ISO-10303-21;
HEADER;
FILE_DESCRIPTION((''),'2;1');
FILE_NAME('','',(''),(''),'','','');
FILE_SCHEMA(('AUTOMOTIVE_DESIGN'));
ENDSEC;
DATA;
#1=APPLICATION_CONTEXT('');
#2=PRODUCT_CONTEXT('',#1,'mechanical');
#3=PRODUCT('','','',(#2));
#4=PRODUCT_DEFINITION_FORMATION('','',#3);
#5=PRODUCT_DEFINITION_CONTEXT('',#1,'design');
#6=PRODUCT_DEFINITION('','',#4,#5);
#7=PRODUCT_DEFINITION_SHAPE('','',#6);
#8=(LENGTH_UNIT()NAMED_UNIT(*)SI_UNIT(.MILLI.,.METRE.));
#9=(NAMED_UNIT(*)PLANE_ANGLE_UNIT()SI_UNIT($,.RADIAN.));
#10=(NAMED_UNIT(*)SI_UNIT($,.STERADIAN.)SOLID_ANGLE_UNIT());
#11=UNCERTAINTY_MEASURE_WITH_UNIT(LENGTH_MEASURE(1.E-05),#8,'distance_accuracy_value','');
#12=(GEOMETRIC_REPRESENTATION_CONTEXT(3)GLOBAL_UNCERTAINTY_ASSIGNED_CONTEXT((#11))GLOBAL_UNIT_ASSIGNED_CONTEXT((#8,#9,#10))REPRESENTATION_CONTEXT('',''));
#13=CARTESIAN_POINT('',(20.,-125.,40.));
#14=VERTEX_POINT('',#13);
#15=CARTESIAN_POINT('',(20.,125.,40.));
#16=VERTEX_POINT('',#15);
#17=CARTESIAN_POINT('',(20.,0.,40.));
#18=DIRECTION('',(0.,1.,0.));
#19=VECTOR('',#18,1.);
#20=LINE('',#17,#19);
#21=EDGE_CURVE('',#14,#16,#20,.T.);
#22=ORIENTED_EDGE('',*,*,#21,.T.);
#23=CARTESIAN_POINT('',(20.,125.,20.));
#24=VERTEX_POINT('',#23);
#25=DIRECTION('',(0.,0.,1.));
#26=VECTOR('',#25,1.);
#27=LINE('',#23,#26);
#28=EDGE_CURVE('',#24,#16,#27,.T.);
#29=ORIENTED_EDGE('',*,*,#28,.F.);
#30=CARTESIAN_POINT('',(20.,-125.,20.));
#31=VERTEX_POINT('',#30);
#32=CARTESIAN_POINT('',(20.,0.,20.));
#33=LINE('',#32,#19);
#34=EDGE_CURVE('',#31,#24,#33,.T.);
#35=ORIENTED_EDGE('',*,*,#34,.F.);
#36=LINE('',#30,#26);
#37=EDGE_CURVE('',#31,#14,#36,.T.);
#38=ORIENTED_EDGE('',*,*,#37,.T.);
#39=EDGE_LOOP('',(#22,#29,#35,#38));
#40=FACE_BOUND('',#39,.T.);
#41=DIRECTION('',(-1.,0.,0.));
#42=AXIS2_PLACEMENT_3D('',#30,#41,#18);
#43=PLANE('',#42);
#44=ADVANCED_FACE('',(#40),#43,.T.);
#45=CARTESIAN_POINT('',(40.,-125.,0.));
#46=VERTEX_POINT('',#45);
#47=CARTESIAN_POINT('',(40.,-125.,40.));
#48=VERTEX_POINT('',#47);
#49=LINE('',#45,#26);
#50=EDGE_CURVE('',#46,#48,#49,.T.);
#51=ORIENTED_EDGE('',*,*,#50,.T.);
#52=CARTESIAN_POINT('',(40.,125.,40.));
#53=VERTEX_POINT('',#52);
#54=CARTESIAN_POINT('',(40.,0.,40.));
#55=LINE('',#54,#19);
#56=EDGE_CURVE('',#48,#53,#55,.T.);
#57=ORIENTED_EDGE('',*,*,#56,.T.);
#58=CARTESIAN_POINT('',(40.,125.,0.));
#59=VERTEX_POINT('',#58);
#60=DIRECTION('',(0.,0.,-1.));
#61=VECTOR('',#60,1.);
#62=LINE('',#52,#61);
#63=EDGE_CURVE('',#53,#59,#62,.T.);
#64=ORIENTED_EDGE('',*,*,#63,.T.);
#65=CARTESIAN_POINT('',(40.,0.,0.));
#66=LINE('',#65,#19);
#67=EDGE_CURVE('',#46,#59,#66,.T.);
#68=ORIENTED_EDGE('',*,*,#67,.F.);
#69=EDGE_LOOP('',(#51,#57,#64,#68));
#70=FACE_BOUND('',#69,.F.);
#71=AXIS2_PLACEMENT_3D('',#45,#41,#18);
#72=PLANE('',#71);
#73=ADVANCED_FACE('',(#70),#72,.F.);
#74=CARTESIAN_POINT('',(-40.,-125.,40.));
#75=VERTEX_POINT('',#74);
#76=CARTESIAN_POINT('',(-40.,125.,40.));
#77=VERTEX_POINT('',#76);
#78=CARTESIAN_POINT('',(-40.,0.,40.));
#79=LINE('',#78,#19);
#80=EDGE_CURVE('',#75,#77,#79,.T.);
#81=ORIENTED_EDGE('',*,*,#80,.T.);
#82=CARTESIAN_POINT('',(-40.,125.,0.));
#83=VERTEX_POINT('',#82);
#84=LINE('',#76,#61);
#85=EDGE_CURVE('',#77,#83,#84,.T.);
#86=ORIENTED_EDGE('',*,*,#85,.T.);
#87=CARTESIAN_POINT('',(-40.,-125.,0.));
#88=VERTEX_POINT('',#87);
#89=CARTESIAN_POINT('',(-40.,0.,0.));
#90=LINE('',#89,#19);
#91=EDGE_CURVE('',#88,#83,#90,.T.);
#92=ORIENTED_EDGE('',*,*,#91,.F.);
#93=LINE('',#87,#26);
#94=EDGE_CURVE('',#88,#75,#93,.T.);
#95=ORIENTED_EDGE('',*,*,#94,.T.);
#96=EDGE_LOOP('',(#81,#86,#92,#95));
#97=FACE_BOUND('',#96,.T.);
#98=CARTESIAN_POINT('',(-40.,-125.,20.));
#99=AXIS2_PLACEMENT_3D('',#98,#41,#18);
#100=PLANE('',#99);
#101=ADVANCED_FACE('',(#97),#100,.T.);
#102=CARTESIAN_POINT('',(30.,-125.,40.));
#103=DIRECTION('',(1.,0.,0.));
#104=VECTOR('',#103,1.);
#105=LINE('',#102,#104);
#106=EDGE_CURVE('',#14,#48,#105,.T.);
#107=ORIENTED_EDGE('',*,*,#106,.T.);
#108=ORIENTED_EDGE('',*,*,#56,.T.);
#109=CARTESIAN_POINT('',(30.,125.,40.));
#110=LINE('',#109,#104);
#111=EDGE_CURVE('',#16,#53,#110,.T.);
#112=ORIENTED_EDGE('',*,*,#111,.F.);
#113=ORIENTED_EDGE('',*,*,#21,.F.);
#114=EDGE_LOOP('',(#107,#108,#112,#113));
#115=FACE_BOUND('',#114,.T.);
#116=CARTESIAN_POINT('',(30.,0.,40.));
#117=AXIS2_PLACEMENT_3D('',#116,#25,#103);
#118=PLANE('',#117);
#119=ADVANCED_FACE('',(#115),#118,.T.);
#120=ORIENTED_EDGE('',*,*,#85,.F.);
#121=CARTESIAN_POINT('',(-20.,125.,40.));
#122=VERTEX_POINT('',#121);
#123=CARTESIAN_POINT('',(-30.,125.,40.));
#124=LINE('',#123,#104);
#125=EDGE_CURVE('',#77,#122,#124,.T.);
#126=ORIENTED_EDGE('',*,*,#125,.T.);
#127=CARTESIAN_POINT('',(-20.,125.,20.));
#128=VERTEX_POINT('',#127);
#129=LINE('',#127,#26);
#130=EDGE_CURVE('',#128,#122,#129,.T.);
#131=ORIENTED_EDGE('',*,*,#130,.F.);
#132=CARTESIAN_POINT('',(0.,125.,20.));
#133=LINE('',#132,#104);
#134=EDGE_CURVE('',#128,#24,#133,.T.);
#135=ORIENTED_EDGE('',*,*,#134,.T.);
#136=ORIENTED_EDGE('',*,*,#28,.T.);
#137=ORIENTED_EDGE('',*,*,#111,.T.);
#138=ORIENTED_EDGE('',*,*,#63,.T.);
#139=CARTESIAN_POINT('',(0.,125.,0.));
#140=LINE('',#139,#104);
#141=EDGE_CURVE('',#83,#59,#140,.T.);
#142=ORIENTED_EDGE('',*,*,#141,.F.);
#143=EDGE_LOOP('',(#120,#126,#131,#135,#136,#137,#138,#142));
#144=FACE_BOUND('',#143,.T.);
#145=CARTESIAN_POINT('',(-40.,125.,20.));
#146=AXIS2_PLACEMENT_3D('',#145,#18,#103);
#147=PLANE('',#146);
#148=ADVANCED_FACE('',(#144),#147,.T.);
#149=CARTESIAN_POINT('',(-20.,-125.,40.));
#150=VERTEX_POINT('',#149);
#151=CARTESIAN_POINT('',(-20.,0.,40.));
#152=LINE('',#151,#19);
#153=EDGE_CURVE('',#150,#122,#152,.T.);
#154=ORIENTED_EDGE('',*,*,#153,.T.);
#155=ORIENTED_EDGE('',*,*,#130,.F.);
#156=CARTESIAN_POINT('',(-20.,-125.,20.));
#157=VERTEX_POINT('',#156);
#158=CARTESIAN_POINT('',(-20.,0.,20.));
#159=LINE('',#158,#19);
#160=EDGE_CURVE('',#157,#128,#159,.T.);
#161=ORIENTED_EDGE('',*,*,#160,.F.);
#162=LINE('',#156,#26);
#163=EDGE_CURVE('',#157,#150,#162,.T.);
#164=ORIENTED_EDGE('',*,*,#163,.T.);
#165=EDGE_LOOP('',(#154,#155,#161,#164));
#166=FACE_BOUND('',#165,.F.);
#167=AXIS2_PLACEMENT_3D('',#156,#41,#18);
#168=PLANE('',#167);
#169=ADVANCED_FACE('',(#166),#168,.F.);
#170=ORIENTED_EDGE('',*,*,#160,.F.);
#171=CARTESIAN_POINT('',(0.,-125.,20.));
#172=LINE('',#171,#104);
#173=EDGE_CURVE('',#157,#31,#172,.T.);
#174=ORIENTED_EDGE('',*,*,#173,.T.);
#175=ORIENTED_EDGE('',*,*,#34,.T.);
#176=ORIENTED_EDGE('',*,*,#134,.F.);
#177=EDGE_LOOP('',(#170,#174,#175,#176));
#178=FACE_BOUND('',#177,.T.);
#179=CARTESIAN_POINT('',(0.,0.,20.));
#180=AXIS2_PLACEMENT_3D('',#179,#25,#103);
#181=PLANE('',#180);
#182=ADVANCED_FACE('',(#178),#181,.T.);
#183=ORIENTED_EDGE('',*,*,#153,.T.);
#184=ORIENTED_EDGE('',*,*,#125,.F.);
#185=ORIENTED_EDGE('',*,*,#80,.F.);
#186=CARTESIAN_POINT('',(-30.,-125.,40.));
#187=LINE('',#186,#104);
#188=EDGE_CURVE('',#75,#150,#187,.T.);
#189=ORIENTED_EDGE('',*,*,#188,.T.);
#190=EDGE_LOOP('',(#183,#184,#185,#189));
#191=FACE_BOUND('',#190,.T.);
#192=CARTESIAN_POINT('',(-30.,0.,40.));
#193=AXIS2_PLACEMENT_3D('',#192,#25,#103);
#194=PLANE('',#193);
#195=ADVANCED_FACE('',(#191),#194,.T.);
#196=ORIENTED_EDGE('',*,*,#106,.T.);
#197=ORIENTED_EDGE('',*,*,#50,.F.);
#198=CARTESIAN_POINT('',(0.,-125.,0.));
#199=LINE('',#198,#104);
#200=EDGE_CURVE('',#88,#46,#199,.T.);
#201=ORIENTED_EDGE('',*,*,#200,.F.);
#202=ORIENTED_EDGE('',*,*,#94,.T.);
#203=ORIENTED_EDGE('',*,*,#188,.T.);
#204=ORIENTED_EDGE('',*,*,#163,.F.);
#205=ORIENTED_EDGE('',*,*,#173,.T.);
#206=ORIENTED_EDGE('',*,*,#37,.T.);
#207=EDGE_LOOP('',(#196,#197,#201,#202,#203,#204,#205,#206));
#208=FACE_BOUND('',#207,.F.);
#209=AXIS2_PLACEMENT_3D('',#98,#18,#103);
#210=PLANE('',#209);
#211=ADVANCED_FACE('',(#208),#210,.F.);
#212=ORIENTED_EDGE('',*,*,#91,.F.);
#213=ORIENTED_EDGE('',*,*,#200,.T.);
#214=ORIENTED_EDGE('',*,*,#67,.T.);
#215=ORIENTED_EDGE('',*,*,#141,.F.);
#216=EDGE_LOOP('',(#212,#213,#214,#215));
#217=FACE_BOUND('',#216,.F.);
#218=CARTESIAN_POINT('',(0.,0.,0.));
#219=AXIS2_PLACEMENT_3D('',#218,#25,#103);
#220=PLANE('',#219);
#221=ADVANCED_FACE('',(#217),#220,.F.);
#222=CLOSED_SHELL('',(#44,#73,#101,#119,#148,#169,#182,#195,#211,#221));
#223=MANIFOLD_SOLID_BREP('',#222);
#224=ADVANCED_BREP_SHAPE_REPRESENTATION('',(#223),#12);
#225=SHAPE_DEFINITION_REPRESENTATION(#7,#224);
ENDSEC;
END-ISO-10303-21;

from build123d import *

# Parameters (mm, degrees)
F0_W     = 80
F0_H     = 250
F1_DEPTH = 20
F2_W     = 20
F2_H     = 250
F3_DEPTH = 20


with BuildPart() as f1:
    # F0 (on Top) → F1 (new body)
    with BuildSketch(Plane.XY):
        Rectangle(F0_W, F0_H)
    extrude(amount=F1_DEPTH)

    # F2 (on face) → F3 (join)
    with BuildSketch(Plane.XY.offset(20)):
        with Locations((-30, 0)):
            Rectangle(F2_W, F2_H)
        with Locations((30, 0)):
            Rectangle(F2_W, F2_H)
    extrude(amount=F3_DEPTH)


solid = f1.part
